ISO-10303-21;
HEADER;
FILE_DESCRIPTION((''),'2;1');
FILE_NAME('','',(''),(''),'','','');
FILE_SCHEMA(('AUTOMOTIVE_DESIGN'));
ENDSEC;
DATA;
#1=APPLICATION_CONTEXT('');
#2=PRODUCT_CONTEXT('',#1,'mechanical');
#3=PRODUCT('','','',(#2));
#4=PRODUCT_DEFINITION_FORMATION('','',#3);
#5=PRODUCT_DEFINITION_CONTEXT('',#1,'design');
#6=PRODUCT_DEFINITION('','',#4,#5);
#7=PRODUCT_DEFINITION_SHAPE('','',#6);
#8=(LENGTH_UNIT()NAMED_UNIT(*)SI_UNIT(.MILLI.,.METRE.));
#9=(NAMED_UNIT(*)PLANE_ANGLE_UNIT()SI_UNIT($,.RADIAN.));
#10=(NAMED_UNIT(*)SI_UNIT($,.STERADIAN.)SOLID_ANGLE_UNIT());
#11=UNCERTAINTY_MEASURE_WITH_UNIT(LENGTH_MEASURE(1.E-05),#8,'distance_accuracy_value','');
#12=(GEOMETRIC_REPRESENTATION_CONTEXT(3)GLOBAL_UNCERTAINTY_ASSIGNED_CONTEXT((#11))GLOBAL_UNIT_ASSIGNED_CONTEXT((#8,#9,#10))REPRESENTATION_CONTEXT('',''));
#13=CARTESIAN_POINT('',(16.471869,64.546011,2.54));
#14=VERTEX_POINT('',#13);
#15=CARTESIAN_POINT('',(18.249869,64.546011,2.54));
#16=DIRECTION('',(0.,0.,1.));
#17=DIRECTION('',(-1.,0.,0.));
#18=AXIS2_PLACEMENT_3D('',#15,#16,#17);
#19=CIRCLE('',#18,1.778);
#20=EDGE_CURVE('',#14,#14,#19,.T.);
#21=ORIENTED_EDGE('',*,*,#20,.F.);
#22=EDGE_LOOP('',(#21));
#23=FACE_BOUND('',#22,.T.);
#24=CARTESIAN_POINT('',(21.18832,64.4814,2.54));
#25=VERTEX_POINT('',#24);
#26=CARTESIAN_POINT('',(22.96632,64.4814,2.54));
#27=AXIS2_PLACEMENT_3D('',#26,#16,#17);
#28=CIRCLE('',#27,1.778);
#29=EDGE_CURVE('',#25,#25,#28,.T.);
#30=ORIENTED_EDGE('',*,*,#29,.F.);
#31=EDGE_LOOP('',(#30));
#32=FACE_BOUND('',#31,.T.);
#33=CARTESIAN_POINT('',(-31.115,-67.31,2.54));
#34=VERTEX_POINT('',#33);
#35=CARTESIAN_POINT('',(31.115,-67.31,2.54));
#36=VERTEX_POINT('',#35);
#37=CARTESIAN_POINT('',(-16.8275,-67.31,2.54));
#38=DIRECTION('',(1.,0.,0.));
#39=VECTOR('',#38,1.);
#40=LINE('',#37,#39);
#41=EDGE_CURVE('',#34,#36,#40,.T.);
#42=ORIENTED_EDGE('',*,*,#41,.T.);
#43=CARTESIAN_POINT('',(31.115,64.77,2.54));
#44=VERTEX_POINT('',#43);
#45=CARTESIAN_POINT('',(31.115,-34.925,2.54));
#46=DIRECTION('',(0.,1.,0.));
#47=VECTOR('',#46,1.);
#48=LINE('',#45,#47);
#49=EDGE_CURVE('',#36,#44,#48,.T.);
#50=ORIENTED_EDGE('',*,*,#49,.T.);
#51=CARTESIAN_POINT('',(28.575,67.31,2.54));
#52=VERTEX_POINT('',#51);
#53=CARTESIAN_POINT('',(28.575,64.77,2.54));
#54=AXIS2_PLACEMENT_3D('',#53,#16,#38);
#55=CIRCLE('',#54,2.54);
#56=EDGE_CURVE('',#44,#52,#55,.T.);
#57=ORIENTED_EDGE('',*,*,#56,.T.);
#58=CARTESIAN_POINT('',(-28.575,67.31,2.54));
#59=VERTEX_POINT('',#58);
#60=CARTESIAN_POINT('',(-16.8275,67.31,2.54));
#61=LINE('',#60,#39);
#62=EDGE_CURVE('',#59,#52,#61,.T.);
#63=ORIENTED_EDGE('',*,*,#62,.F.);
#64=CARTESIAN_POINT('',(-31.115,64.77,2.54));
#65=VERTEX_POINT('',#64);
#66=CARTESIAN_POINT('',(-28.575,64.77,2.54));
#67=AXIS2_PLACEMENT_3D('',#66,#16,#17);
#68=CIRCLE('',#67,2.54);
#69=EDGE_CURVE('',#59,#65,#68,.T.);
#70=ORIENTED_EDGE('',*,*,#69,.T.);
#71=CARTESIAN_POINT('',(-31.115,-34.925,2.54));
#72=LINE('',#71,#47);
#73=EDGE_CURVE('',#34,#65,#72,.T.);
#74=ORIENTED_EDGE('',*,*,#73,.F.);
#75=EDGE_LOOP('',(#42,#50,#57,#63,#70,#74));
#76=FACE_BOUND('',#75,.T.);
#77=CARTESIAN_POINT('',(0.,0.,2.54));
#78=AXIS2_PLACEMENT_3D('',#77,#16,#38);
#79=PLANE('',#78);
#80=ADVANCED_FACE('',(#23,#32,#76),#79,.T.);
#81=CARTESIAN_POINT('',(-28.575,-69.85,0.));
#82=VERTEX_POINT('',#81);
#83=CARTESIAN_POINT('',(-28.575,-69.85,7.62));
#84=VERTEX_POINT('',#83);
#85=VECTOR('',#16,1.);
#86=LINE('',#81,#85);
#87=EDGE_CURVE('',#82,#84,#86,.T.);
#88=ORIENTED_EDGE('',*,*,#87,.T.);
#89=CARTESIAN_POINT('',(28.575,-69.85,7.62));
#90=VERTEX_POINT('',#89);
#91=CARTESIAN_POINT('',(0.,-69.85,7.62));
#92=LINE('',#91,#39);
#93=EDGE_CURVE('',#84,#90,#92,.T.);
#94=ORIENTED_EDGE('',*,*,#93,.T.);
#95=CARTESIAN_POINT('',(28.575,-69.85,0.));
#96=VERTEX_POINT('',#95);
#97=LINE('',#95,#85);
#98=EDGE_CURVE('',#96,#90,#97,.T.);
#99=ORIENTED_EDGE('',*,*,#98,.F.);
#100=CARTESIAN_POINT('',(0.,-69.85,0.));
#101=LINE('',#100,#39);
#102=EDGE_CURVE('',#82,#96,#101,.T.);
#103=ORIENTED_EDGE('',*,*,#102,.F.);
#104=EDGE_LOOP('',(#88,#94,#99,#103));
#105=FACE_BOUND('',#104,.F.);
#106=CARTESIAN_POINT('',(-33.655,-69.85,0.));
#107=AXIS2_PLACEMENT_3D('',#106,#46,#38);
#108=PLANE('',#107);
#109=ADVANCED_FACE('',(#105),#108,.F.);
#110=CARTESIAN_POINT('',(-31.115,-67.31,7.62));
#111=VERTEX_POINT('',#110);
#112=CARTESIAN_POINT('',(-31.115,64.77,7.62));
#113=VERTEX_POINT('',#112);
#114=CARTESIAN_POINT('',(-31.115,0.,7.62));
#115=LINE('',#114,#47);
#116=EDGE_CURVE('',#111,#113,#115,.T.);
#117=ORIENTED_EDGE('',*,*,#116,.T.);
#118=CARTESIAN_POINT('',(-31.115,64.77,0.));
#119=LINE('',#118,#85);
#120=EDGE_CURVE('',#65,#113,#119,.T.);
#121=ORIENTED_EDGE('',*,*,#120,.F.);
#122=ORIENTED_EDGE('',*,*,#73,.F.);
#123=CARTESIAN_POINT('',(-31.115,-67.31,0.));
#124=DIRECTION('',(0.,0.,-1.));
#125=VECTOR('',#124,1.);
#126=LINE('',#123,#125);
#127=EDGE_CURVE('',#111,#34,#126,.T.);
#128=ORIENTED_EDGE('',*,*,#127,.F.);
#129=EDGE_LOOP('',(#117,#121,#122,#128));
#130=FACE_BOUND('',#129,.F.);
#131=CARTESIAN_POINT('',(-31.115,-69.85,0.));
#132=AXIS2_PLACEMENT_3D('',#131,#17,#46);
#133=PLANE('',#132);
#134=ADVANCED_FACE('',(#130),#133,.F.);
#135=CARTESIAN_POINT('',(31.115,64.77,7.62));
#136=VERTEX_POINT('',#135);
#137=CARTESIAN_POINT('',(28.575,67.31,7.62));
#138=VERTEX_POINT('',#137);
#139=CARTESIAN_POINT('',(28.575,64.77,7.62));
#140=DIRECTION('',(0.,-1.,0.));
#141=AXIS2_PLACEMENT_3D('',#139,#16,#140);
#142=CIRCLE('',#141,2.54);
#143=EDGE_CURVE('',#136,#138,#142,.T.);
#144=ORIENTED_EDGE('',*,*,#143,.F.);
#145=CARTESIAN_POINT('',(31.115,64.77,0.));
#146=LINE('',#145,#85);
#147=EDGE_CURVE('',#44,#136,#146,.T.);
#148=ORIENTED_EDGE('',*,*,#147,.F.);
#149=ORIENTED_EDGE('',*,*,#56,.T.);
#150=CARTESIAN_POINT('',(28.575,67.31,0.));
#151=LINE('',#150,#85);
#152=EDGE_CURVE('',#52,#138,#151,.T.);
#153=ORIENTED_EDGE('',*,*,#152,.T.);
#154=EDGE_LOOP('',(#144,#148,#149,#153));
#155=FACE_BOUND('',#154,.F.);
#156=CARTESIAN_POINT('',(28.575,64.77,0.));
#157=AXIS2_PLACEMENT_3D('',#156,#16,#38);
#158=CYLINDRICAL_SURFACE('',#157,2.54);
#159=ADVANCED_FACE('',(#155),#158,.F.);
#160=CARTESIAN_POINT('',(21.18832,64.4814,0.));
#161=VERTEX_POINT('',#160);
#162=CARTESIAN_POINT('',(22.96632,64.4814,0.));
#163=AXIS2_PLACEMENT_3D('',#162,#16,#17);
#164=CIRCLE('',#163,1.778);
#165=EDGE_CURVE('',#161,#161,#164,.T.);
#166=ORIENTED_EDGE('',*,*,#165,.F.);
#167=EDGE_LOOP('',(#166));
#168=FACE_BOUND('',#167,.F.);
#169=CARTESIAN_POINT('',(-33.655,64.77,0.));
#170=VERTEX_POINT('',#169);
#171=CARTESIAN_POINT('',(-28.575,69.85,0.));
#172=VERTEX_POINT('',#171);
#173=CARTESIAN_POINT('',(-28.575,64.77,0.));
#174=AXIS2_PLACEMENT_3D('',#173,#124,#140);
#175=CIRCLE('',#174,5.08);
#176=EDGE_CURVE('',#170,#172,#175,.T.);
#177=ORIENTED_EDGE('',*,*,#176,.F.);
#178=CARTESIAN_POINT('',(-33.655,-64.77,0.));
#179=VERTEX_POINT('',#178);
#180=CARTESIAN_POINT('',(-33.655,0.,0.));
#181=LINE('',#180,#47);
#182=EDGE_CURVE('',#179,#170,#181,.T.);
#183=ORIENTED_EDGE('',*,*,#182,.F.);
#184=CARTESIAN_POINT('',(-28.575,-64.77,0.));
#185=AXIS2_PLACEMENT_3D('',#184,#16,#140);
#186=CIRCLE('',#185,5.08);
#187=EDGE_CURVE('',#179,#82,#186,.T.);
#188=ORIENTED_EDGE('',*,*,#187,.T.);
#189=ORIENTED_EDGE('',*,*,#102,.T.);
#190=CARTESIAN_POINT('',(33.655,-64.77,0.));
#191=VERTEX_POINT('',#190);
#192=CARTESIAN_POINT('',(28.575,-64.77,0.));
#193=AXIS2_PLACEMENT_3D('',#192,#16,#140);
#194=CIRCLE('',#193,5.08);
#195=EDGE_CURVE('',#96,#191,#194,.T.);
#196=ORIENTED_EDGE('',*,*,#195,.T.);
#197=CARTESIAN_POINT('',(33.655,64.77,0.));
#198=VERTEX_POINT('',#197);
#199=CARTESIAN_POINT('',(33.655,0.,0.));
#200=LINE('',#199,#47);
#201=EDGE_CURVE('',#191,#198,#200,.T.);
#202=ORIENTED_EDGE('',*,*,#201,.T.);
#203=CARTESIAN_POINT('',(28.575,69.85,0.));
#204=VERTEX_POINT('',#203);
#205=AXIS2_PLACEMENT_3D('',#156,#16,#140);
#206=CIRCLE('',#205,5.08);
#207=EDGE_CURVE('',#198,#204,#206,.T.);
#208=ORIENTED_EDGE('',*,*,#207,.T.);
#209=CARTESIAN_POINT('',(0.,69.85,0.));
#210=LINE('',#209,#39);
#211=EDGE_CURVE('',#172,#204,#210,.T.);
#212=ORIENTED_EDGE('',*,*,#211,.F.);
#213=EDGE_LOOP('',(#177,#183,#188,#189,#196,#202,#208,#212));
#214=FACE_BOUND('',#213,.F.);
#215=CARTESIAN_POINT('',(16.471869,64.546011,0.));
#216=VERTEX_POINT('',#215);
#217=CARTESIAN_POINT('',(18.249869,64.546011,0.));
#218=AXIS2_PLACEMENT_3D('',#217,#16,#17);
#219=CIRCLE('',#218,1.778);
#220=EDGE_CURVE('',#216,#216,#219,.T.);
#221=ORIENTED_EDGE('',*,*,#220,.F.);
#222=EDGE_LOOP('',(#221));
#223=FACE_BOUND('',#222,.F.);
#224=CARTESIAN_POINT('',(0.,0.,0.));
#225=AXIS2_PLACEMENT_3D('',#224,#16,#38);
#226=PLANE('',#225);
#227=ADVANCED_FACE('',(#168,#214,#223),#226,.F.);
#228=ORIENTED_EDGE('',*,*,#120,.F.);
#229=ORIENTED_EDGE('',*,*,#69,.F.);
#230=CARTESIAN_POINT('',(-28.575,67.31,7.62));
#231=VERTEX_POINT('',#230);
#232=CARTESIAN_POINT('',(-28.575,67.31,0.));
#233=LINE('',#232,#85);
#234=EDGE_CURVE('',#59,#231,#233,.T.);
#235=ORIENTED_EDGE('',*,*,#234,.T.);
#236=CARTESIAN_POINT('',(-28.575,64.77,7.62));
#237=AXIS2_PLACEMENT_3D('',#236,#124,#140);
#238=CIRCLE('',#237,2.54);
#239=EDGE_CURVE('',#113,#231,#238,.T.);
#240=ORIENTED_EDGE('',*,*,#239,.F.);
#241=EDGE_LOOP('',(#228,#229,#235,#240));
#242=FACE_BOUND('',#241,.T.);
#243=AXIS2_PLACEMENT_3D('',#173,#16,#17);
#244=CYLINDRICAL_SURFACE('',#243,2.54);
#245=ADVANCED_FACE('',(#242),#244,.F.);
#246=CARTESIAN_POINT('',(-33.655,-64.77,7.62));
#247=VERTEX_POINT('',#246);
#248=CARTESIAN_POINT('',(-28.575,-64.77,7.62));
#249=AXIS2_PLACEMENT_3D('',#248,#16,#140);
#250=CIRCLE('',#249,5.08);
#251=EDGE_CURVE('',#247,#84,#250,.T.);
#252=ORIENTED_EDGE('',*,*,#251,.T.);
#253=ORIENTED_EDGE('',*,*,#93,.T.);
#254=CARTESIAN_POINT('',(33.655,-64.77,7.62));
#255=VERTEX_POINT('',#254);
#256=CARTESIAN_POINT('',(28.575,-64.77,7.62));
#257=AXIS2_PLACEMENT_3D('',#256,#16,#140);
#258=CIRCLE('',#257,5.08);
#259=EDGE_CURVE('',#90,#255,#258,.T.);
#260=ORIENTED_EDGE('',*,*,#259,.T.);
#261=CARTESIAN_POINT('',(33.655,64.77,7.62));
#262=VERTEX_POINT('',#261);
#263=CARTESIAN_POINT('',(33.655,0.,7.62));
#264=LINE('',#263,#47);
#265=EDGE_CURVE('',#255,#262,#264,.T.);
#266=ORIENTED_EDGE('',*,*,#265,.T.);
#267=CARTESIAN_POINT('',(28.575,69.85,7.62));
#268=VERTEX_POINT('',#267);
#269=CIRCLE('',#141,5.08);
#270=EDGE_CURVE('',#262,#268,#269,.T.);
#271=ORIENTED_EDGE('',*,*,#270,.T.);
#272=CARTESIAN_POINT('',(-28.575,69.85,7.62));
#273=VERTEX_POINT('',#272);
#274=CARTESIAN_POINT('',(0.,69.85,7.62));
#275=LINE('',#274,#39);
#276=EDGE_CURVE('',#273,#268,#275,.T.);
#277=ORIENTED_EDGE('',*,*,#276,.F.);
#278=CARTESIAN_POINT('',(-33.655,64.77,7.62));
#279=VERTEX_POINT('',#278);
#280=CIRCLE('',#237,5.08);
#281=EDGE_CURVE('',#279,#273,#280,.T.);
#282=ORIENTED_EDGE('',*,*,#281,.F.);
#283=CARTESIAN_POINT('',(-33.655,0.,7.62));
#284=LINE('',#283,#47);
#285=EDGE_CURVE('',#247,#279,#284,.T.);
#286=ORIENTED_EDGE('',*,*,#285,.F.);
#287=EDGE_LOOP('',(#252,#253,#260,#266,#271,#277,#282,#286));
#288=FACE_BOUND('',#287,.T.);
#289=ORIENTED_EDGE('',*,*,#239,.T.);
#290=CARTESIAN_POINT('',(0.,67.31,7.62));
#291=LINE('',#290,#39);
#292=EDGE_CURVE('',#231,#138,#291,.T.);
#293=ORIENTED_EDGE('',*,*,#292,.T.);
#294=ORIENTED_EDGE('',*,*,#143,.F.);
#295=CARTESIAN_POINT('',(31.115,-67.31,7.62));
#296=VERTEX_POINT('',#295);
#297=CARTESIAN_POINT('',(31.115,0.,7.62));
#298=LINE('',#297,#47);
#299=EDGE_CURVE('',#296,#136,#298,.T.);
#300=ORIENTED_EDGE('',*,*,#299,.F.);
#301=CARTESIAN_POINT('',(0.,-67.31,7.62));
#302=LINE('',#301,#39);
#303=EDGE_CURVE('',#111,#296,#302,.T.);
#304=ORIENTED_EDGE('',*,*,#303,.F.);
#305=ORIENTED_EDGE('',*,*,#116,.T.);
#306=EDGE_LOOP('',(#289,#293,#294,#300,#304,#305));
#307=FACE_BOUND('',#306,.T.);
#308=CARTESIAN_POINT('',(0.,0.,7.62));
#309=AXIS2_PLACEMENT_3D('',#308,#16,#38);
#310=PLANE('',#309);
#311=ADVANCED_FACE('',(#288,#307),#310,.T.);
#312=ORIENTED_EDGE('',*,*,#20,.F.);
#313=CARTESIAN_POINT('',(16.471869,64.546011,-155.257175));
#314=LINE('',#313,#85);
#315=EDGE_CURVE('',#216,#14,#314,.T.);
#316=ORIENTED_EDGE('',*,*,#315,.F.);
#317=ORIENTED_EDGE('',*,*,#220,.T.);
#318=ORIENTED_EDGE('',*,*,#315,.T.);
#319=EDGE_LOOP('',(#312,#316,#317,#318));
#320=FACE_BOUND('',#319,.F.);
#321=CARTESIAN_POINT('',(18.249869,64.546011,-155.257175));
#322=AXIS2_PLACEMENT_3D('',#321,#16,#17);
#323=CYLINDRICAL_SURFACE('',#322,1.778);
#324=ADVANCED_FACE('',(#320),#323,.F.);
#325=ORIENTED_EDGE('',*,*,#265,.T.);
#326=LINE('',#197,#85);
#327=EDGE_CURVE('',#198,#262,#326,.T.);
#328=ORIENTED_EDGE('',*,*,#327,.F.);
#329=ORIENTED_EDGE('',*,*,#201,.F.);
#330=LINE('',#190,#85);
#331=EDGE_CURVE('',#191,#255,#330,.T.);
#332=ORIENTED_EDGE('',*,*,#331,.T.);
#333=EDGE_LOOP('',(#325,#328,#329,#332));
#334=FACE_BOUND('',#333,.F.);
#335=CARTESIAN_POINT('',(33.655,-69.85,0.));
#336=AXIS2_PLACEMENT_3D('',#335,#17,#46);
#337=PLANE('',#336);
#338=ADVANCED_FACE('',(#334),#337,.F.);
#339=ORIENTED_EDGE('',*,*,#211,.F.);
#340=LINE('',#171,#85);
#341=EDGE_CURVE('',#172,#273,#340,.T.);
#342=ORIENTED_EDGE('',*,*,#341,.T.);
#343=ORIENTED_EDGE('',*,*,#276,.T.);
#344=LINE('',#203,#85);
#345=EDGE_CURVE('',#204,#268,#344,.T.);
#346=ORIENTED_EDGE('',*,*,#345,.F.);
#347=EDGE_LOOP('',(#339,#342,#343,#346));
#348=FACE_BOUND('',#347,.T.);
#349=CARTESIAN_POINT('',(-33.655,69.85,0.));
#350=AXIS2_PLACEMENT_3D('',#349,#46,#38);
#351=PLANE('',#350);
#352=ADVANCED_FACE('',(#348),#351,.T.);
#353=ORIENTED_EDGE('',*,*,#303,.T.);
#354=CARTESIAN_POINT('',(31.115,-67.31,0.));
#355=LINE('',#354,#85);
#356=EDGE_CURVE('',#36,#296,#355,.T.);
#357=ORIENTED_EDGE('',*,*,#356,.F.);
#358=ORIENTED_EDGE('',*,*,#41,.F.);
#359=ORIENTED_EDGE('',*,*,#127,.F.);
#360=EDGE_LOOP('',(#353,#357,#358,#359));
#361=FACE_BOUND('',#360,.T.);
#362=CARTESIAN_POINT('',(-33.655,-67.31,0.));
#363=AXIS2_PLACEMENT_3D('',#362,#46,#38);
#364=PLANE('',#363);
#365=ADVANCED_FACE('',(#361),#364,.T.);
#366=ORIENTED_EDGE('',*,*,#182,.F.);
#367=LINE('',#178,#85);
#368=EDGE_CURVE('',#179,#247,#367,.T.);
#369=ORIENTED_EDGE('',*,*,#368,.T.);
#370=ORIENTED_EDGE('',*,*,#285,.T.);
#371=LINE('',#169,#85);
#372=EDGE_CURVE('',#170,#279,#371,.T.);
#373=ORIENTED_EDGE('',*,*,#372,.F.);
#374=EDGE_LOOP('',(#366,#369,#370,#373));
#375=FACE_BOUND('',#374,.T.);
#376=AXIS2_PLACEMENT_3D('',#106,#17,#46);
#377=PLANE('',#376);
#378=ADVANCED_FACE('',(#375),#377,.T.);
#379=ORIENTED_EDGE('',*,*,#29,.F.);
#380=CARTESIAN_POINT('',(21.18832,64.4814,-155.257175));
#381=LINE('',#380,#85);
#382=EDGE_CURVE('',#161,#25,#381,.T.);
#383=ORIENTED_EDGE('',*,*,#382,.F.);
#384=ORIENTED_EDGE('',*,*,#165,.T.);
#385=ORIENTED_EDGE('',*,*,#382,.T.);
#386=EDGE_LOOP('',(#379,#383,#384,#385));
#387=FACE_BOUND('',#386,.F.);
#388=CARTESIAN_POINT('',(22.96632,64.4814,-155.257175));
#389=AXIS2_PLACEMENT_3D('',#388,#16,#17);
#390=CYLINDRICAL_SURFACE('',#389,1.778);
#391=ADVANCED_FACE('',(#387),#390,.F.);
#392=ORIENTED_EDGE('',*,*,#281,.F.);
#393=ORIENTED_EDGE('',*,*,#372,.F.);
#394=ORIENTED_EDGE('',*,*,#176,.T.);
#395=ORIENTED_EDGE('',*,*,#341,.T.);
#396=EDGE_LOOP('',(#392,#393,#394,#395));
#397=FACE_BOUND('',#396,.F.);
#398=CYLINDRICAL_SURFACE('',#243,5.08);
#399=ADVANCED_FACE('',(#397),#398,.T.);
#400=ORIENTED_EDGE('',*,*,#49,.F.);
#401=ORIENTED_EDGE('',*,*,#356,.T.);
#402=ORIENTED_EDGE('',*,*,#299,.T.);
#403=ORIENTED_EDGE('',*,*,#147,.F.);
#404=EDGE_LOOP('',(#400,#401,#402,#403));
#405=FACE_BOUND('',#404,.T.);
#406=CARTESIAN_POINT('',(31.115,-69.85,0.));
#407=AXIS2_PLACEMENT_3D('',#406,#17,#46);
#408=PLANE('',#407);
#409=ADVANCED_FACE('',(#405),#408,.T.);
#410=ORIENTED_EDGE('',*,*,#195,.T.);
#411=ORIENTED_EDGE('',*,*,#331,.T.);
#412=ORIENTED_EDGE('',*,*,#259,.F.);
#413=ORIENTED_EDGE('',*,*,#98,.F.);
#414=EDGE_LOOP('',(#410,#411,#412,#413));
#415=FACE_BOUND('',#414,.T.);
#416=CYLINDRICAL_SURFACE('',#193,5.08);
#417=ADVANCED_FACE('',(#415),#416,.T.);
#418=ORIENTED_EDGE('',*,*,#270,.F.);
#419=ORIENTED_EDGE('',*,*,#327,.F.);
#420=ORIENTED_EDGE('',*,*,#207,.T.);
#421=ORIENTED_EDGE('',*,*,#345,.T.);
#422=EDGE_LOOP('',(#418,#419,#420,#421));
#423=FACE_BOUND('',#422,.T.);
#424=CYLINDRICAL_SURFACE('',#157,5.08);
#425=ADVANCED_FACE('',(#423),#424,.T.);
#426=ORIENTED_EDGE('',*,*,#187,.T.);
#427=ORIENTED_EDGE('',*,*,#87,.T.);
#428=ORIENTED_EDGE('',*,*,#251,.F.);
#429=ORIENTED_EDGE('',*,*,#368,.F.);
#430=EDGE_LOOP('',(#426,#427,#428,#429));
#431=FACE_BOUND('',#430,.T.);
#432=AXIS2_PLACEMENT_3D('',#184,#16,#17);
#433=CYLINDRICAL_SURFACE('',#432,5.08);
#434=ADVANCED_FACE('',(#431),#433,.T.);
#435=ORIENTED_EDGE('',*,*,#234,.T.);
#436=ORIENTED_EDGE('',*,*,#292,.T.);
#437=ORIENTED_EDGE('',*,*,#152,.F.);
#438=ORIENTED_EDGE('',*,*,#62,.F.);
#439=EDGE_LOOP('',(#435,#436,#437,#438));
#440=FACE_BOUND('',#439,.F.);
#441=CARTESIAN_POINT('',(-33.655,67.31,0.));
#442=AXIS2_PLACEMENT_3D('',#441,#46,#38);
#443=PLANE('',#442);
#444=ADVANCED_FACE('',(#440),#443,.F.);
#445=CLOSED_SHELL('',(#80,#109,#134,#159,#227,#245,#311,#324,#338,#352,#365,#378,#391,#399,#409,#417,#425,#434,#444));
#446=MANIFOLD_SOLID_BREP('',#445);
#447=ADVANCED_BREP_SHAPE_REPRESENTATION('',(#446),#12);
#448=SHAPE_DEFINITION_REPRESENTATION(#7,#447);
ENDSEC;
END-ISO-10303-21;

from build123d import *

# Parameters (mm, degrees)
F0_W     = 67.31
F0_H     = 139.7
F1_DEPTH = 7.62
F2_R     = 5.08
F3_T     = -2.54
F4_R     = 5.08
F6_R     = 5.08
F7_D     = 3.556
F8_D     = 3.556


with BuildPart() as f1:
    # F0 (on Top) → F1 (new body)
    with BuildSketch(Plane.XY):
        Rectangle(F0_W, F0_H)
    extrude(amount=F1_DEPTH)

    # F2
    f2_edges = [f1.edges().sort_by_distance(p)[0] for p in [
        (33.655, 69.85, 3.81),
        (-33.655, 69.85, 3.81),
    ]]
    fillet(f2_edges, radius=F2_R)

    # F3
    f3_openings = [f1.faces().sort_by_distance(p)[0] for p in [
        (0, -0.081036, 7.62),
    ]]
    offset(amount=F3_T, openings=f3_openings)

    # F4
    f4_edges = [f1.edges().sort_by_distance(p)[0] for p in [
        (-33.655, -69.85, 3.81),
    ]]
    fillet(f4_edges, radius=F4_R)

    # F6
    f6_edges = [f1.edges().sort_by_distance(p)[0] for p in [
        (33.655, -69.85, 3.81),
    ]]
    fillet(f6_edges, radius=F6_R)

    # F7 (through all)
    with Locations(Plane(origin=(0, 0, 0), x_dir=(1, 0, 0), z_dir=(0, 0, -1))):
        with Locations((18.2498693466, -64.5460113883)):
            Hole(F7_D / 2)

    # F8 (through all)
    with Locations(Plane(origin=(0, 0, 0), x_dir=(1, 0, 0), z_dir=(0, 0, -1))):
        with Locations((22.9663196951, -64.4813999534)):
            Hole(F8_D / 2)


solid = f1.part
